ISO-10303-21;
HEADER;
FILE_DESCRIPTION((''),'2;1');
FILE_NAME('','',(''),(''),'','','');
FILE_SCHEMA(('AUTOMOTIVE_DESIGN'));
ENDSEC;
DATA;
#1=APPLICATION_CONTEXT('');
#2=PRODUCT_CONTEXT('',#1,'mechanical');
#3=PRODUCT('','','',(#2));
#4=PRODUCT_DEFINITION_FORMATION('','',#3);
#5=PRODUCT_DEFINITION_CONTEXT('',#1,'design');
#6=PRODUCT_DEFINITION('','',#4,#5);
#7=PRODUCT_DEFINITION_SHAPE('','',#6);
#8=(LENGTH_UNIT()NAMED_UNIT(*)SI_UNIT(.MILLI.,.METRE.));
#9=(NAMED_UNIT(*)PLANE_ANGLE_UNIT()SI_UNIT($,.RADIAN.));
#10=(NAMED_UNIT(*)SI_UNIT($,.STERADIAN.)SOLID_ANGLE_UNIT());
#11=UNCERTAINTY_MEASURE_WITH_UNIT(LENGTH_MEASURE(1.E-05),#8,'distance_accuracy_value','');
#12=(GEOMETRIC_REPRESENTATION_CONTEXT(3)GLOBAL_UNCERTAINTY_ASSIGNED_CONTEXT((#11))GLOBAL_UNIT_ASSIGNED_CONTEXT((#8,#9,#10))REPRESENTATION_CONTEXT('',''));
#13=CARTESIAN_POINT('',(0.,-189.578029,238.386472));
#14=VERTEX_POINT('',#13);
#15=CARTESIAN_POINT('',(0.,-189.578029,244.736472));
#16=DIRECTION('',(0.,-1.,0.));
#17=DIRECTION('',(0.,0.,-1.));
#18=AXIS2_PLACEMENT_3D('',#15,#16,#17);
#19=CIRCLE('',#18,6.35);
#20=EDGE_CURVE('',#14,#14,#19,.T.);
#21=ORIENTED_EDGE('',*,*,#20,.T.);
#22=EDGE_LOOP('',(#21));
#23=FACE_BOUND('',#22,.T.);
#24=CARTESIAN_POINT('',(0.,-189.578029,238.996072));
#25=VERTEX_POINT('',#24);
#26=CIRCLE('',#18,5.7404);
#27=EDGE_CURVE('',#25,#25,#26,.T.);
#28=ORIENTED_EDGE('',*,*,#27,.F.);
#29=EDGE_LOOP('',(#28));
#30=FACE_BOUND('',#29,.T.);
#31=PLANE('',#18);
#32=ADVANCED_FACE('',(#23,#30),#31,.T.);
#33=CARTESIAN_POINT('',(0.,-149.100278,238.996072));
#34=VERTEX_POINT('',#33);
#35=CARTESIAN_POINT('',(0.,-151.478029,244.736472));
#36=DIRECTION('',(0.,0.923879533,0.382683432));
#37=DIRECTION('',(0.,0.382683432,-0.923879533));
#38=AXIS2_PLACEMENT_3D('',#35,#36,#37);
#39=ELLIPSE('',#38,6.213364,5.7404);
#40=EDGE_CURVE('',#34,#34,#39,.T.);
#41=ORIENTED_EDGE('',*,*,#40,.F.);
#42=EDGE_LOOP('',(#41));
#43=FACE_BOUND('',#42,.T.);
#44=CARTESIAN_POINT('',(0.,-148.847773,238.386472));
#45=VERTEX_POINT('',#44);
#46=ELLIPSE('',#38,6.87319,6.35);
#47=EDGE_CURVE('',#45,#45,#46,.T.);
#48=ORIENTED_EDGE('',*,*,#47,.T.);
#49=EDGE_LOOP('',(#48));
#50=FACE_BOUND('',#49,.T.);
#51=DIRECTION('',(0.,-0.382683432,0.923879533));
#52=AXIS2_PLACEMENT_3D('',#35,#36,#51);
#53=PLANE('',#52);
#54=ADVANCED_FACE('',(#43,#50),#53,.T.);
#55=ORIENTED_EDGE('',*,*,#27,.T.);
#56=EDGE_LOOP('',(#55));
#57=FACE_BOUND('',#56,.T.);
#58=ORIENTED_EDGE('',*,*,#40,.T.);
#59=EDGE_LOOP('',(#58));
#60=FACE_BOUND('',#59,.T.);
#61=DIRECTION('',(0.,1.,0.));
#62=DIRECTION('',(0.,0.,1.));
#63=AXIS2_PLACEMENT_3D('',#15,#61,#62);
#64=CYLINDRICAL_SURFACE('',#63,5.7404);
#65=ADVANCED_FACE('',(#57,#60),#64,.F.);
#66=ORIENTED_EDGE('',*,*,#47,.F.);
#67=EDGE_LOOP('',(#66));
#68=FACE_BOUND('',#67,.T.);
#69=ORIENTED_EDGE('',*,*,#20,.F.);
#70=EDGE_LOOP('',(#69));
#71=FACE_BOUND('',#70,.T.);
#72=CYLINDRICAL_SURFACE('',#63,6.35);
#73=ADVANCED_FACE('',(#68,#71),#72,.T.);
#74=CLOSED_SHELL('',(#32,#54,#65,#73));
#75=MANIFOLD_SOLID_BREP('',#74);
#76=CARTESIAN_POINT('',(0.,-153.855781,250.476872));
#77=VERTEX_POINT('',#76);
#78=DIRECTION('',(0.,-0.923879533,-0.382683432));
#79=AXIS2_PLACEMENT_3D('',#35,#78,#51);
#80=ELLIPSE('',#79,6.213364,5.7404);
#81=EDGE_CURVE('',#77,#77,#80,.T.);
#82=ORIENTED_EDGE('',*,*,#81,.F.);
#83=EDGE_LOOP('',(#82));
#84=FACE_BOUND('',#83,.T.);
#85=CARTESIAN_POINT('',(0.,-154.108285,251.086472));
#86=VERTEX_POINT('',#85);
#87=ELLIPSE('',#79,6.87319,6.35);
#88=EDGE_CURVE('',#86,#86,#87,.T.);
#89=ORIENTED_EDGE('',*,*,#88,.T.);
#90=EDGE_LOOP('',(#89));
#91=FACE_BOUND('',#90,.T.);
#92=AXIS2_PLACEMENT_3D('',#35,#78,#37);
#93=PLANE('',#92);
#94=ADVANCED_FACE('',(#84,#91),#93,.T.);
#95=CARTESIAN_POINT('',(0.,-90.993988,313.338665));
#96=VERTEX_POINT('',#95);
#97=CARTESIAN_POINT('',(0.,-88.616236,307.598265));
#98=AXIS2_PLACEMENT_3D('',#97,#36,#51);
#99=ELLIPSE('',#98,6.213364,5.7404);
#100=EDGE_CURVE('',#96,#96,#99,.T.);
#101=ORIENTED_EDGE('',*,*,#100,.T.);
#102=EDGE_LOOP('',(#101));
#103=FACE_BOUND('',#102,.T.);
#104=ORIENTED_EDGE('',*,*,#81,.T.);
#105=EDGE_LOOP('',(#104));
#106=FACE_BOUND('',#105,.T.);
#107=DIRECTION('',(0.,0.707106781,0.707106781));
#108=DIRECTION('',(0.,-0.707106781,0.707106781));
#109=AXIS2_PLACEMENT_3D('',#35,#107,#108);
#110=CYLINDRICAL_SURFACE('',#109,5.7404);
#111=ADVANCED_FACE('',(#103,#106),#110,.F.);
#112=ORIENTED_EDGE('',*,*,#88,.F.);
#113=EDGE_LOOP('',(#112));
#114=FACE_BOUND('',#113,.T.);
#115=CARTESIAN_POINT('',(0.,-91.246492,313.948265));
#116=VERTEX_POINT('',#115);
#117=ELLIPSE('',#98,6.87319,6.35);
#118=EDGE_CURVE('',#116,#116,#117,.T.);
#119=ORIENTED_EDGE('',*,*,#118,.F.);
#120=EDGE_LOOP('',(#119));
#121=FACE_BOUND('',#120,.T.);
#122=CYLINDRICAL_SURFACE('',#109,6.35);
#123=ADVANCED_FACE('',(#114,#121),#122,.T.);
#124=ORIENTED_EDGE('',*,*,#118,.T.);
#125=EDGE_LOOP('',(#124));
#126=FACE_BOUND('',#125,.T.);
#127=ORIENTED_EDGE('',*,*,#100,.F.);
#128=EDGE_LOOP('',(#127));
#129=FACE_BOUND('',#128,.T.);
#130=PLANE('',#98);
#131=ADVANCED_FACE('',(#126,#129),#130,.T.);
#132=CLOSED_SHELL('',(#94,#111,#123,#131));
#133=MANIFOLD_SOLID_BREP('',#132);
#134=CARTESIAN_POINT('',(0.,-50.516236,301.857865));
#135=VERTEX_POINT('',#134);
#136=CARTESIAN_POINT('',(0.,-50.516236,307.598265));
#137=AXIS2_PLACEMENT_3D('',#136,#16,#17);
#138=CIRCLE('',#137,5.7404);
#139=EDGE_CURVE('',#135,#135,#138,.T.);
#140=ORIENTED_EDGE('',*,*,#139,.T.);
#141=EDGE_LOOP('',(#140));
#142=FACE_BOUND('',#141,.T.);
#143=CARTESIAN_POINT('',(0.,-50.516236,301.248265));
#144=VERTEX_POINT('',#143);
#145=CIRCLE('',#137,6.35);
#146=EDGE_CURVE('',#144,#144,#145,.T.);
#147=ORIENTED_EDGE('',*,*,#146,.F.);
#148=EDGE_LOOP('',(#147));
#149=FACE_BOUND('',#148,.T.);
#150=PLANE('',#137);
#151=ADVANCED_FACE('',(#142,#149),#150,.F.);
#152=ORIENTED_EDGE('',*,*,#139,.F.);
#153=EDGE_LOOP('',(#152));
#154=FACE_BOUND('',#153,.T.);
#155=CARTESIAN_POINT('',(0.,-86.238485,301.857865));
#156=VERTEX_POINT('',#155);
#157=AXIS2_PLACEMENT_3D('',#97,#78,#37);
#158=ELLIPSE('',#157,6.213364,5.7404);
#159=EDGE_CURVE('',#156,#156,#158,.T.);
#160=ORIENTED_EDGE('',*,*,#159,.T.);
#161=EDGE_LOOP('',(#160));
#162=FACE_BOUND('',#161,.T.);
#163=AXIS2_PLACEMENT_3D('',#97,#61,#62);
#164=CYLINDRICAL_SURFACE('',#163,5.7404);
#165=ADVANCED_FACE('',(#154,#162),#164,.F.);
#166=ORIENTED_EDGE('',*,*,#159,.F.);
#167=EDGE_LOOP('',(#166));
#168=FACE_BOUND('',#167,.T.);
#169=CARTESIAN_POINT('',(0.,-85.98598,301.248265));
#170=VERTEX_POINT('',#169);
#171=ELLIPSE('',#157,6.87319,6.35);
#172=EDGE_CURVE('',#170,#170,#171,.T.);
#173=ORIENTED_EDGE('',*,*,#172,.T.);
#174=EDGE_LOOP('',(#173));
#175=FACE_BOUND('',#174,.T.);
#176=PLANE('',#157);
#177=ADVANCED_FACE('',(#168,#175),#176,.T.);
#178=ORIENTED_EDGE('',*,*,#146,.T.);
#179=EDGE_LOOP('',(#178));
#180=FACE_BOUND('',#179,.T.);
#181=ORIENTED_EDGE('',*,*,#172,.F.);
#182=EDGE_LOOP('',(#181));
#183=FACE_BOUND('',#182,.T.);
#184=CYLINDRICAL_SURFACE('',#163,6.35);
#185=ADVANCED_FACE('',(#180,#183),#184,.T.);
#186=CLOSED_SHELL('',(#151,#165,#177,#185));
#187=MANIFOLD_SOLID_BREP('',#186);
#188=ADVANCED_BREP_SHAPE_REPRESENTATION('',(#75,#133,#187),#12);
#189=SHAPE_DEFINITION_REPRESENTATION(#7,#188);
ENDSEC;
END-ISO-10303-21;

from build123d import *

# Parameters (mm, degrees)
SKETCH11_R                = 6.35
SKETCH11_R_2              = 5.7404
PIPE_0_5_SCH_40_1_DEPTH   = 42.819743879
SKETCH11_ON_SEGMENT_2_R   = 6.35
SKETCH11_ON_SEGMENT_2_R_2 = 5.7404
PIPE_0_5_SCH_40_1_2_DEPTH = 98.339487758
SKETCH11_ON_SEGMENT_3_R   = 6.35
SKETCH11_ON_SEGMENT_3_R_2 = 5.7404
PIPE_0_5_SCH_40_1_3_DEPTH = 42.819743879


with BuildPart() as part:
    # Sketch11 → Pipe 0.5 SCH 40(1) (new body)
    with BuildSketch(Plane(origin=(0, -50.516236303, 307.598264834), x_dir=(0, 0, -1), z_dir=(0, -1, 0))):
        Circle(SKETCH11_R)
        Circle(SKETCH11_R_2, mode=Mode.SUBTRACT)
    extrude(amount=PIPE_0_5_SCH_40_1_DEPTH)

    # Pipe 0.5 SCH 40(1) mitre 1
    split(bisect_by=Plane(origin=(0, -88.616236303, 307.598264834), x_dir=(-1, 0, 0), z_dir=(0, 0.923879533, 0.382683432)), keep=Keep.TOP)


with BuildPart() as body_2:
    # Sketch11 on segment 2 (carried to segment 2) → Pipe 0.5 SCH 40_1 2 (new body)
    with BuildSketch(Plane(origin=(0, -85.278873401, 310.935627736), x_dir=(0, 0.707106781, -0.707106781), z_dir=(0, -0.707106781, -0.707106781))):
        Circle(SKETCH11_ON_SEGMENT_2_R)
        Circle(SKETCH11_ON_SEGMENT_2_R_2, mode=Mode.SUBTRACT)
    extrude(amount=PIPE_0_5_SCH_40_1_2_DEPTH)

    # Pipe 0.5 SCH 40_1 2 mitre 1
    split(bisect_by=Plane(origin=(0, -88.616236303, 307.598264834), x_dir=(1, 0, 0), z_dir=(0, -0.923879533, -0.382683432)), keep=Keep.TOP)

    # Pipe 0.5 SCH 40_1 2 mitre 2
    split(bisect_by=Plane(origin=(0, -151.47802915, 244.736471986), x_dir=(-1, 0, 0), z_dir=(0, 0.923879533, 0.382683432)), keep=Keep.TOP)


with BuildPart() as body_3:
    # Sketch11 on segment 3 (carried to segment 3) → Pipe 0.5 SCH 40_1 3 (new body)
    with BuildSketch(Plane(origin=(0, -146.758285271, 244.736471986), x_dir=(0, 0, -1), z_dir=(0, -1, 0))):
        Circle(SKETCH11_ON_SEGMENT_3_R)
        Circle(SKETCH11_ON_SEGMENT_3_R_2, mode=Mode.SUBTRACT)
    extrude(amount=PIPE_0_5_SCH_40_1_3_DEPTH)

    # Pipe 0.5 SCH 40_1 3 mitre 1
    split(bisect_by=Plane(origin=(0, -151.47802915, 244.736471986), x_dir=(1, 0, 0), z_dir=(0, -0.923879533, -0.382683432)), keep=Keep.TOP)


solid = Compound([part.part, body_2.part, body_3.part])
